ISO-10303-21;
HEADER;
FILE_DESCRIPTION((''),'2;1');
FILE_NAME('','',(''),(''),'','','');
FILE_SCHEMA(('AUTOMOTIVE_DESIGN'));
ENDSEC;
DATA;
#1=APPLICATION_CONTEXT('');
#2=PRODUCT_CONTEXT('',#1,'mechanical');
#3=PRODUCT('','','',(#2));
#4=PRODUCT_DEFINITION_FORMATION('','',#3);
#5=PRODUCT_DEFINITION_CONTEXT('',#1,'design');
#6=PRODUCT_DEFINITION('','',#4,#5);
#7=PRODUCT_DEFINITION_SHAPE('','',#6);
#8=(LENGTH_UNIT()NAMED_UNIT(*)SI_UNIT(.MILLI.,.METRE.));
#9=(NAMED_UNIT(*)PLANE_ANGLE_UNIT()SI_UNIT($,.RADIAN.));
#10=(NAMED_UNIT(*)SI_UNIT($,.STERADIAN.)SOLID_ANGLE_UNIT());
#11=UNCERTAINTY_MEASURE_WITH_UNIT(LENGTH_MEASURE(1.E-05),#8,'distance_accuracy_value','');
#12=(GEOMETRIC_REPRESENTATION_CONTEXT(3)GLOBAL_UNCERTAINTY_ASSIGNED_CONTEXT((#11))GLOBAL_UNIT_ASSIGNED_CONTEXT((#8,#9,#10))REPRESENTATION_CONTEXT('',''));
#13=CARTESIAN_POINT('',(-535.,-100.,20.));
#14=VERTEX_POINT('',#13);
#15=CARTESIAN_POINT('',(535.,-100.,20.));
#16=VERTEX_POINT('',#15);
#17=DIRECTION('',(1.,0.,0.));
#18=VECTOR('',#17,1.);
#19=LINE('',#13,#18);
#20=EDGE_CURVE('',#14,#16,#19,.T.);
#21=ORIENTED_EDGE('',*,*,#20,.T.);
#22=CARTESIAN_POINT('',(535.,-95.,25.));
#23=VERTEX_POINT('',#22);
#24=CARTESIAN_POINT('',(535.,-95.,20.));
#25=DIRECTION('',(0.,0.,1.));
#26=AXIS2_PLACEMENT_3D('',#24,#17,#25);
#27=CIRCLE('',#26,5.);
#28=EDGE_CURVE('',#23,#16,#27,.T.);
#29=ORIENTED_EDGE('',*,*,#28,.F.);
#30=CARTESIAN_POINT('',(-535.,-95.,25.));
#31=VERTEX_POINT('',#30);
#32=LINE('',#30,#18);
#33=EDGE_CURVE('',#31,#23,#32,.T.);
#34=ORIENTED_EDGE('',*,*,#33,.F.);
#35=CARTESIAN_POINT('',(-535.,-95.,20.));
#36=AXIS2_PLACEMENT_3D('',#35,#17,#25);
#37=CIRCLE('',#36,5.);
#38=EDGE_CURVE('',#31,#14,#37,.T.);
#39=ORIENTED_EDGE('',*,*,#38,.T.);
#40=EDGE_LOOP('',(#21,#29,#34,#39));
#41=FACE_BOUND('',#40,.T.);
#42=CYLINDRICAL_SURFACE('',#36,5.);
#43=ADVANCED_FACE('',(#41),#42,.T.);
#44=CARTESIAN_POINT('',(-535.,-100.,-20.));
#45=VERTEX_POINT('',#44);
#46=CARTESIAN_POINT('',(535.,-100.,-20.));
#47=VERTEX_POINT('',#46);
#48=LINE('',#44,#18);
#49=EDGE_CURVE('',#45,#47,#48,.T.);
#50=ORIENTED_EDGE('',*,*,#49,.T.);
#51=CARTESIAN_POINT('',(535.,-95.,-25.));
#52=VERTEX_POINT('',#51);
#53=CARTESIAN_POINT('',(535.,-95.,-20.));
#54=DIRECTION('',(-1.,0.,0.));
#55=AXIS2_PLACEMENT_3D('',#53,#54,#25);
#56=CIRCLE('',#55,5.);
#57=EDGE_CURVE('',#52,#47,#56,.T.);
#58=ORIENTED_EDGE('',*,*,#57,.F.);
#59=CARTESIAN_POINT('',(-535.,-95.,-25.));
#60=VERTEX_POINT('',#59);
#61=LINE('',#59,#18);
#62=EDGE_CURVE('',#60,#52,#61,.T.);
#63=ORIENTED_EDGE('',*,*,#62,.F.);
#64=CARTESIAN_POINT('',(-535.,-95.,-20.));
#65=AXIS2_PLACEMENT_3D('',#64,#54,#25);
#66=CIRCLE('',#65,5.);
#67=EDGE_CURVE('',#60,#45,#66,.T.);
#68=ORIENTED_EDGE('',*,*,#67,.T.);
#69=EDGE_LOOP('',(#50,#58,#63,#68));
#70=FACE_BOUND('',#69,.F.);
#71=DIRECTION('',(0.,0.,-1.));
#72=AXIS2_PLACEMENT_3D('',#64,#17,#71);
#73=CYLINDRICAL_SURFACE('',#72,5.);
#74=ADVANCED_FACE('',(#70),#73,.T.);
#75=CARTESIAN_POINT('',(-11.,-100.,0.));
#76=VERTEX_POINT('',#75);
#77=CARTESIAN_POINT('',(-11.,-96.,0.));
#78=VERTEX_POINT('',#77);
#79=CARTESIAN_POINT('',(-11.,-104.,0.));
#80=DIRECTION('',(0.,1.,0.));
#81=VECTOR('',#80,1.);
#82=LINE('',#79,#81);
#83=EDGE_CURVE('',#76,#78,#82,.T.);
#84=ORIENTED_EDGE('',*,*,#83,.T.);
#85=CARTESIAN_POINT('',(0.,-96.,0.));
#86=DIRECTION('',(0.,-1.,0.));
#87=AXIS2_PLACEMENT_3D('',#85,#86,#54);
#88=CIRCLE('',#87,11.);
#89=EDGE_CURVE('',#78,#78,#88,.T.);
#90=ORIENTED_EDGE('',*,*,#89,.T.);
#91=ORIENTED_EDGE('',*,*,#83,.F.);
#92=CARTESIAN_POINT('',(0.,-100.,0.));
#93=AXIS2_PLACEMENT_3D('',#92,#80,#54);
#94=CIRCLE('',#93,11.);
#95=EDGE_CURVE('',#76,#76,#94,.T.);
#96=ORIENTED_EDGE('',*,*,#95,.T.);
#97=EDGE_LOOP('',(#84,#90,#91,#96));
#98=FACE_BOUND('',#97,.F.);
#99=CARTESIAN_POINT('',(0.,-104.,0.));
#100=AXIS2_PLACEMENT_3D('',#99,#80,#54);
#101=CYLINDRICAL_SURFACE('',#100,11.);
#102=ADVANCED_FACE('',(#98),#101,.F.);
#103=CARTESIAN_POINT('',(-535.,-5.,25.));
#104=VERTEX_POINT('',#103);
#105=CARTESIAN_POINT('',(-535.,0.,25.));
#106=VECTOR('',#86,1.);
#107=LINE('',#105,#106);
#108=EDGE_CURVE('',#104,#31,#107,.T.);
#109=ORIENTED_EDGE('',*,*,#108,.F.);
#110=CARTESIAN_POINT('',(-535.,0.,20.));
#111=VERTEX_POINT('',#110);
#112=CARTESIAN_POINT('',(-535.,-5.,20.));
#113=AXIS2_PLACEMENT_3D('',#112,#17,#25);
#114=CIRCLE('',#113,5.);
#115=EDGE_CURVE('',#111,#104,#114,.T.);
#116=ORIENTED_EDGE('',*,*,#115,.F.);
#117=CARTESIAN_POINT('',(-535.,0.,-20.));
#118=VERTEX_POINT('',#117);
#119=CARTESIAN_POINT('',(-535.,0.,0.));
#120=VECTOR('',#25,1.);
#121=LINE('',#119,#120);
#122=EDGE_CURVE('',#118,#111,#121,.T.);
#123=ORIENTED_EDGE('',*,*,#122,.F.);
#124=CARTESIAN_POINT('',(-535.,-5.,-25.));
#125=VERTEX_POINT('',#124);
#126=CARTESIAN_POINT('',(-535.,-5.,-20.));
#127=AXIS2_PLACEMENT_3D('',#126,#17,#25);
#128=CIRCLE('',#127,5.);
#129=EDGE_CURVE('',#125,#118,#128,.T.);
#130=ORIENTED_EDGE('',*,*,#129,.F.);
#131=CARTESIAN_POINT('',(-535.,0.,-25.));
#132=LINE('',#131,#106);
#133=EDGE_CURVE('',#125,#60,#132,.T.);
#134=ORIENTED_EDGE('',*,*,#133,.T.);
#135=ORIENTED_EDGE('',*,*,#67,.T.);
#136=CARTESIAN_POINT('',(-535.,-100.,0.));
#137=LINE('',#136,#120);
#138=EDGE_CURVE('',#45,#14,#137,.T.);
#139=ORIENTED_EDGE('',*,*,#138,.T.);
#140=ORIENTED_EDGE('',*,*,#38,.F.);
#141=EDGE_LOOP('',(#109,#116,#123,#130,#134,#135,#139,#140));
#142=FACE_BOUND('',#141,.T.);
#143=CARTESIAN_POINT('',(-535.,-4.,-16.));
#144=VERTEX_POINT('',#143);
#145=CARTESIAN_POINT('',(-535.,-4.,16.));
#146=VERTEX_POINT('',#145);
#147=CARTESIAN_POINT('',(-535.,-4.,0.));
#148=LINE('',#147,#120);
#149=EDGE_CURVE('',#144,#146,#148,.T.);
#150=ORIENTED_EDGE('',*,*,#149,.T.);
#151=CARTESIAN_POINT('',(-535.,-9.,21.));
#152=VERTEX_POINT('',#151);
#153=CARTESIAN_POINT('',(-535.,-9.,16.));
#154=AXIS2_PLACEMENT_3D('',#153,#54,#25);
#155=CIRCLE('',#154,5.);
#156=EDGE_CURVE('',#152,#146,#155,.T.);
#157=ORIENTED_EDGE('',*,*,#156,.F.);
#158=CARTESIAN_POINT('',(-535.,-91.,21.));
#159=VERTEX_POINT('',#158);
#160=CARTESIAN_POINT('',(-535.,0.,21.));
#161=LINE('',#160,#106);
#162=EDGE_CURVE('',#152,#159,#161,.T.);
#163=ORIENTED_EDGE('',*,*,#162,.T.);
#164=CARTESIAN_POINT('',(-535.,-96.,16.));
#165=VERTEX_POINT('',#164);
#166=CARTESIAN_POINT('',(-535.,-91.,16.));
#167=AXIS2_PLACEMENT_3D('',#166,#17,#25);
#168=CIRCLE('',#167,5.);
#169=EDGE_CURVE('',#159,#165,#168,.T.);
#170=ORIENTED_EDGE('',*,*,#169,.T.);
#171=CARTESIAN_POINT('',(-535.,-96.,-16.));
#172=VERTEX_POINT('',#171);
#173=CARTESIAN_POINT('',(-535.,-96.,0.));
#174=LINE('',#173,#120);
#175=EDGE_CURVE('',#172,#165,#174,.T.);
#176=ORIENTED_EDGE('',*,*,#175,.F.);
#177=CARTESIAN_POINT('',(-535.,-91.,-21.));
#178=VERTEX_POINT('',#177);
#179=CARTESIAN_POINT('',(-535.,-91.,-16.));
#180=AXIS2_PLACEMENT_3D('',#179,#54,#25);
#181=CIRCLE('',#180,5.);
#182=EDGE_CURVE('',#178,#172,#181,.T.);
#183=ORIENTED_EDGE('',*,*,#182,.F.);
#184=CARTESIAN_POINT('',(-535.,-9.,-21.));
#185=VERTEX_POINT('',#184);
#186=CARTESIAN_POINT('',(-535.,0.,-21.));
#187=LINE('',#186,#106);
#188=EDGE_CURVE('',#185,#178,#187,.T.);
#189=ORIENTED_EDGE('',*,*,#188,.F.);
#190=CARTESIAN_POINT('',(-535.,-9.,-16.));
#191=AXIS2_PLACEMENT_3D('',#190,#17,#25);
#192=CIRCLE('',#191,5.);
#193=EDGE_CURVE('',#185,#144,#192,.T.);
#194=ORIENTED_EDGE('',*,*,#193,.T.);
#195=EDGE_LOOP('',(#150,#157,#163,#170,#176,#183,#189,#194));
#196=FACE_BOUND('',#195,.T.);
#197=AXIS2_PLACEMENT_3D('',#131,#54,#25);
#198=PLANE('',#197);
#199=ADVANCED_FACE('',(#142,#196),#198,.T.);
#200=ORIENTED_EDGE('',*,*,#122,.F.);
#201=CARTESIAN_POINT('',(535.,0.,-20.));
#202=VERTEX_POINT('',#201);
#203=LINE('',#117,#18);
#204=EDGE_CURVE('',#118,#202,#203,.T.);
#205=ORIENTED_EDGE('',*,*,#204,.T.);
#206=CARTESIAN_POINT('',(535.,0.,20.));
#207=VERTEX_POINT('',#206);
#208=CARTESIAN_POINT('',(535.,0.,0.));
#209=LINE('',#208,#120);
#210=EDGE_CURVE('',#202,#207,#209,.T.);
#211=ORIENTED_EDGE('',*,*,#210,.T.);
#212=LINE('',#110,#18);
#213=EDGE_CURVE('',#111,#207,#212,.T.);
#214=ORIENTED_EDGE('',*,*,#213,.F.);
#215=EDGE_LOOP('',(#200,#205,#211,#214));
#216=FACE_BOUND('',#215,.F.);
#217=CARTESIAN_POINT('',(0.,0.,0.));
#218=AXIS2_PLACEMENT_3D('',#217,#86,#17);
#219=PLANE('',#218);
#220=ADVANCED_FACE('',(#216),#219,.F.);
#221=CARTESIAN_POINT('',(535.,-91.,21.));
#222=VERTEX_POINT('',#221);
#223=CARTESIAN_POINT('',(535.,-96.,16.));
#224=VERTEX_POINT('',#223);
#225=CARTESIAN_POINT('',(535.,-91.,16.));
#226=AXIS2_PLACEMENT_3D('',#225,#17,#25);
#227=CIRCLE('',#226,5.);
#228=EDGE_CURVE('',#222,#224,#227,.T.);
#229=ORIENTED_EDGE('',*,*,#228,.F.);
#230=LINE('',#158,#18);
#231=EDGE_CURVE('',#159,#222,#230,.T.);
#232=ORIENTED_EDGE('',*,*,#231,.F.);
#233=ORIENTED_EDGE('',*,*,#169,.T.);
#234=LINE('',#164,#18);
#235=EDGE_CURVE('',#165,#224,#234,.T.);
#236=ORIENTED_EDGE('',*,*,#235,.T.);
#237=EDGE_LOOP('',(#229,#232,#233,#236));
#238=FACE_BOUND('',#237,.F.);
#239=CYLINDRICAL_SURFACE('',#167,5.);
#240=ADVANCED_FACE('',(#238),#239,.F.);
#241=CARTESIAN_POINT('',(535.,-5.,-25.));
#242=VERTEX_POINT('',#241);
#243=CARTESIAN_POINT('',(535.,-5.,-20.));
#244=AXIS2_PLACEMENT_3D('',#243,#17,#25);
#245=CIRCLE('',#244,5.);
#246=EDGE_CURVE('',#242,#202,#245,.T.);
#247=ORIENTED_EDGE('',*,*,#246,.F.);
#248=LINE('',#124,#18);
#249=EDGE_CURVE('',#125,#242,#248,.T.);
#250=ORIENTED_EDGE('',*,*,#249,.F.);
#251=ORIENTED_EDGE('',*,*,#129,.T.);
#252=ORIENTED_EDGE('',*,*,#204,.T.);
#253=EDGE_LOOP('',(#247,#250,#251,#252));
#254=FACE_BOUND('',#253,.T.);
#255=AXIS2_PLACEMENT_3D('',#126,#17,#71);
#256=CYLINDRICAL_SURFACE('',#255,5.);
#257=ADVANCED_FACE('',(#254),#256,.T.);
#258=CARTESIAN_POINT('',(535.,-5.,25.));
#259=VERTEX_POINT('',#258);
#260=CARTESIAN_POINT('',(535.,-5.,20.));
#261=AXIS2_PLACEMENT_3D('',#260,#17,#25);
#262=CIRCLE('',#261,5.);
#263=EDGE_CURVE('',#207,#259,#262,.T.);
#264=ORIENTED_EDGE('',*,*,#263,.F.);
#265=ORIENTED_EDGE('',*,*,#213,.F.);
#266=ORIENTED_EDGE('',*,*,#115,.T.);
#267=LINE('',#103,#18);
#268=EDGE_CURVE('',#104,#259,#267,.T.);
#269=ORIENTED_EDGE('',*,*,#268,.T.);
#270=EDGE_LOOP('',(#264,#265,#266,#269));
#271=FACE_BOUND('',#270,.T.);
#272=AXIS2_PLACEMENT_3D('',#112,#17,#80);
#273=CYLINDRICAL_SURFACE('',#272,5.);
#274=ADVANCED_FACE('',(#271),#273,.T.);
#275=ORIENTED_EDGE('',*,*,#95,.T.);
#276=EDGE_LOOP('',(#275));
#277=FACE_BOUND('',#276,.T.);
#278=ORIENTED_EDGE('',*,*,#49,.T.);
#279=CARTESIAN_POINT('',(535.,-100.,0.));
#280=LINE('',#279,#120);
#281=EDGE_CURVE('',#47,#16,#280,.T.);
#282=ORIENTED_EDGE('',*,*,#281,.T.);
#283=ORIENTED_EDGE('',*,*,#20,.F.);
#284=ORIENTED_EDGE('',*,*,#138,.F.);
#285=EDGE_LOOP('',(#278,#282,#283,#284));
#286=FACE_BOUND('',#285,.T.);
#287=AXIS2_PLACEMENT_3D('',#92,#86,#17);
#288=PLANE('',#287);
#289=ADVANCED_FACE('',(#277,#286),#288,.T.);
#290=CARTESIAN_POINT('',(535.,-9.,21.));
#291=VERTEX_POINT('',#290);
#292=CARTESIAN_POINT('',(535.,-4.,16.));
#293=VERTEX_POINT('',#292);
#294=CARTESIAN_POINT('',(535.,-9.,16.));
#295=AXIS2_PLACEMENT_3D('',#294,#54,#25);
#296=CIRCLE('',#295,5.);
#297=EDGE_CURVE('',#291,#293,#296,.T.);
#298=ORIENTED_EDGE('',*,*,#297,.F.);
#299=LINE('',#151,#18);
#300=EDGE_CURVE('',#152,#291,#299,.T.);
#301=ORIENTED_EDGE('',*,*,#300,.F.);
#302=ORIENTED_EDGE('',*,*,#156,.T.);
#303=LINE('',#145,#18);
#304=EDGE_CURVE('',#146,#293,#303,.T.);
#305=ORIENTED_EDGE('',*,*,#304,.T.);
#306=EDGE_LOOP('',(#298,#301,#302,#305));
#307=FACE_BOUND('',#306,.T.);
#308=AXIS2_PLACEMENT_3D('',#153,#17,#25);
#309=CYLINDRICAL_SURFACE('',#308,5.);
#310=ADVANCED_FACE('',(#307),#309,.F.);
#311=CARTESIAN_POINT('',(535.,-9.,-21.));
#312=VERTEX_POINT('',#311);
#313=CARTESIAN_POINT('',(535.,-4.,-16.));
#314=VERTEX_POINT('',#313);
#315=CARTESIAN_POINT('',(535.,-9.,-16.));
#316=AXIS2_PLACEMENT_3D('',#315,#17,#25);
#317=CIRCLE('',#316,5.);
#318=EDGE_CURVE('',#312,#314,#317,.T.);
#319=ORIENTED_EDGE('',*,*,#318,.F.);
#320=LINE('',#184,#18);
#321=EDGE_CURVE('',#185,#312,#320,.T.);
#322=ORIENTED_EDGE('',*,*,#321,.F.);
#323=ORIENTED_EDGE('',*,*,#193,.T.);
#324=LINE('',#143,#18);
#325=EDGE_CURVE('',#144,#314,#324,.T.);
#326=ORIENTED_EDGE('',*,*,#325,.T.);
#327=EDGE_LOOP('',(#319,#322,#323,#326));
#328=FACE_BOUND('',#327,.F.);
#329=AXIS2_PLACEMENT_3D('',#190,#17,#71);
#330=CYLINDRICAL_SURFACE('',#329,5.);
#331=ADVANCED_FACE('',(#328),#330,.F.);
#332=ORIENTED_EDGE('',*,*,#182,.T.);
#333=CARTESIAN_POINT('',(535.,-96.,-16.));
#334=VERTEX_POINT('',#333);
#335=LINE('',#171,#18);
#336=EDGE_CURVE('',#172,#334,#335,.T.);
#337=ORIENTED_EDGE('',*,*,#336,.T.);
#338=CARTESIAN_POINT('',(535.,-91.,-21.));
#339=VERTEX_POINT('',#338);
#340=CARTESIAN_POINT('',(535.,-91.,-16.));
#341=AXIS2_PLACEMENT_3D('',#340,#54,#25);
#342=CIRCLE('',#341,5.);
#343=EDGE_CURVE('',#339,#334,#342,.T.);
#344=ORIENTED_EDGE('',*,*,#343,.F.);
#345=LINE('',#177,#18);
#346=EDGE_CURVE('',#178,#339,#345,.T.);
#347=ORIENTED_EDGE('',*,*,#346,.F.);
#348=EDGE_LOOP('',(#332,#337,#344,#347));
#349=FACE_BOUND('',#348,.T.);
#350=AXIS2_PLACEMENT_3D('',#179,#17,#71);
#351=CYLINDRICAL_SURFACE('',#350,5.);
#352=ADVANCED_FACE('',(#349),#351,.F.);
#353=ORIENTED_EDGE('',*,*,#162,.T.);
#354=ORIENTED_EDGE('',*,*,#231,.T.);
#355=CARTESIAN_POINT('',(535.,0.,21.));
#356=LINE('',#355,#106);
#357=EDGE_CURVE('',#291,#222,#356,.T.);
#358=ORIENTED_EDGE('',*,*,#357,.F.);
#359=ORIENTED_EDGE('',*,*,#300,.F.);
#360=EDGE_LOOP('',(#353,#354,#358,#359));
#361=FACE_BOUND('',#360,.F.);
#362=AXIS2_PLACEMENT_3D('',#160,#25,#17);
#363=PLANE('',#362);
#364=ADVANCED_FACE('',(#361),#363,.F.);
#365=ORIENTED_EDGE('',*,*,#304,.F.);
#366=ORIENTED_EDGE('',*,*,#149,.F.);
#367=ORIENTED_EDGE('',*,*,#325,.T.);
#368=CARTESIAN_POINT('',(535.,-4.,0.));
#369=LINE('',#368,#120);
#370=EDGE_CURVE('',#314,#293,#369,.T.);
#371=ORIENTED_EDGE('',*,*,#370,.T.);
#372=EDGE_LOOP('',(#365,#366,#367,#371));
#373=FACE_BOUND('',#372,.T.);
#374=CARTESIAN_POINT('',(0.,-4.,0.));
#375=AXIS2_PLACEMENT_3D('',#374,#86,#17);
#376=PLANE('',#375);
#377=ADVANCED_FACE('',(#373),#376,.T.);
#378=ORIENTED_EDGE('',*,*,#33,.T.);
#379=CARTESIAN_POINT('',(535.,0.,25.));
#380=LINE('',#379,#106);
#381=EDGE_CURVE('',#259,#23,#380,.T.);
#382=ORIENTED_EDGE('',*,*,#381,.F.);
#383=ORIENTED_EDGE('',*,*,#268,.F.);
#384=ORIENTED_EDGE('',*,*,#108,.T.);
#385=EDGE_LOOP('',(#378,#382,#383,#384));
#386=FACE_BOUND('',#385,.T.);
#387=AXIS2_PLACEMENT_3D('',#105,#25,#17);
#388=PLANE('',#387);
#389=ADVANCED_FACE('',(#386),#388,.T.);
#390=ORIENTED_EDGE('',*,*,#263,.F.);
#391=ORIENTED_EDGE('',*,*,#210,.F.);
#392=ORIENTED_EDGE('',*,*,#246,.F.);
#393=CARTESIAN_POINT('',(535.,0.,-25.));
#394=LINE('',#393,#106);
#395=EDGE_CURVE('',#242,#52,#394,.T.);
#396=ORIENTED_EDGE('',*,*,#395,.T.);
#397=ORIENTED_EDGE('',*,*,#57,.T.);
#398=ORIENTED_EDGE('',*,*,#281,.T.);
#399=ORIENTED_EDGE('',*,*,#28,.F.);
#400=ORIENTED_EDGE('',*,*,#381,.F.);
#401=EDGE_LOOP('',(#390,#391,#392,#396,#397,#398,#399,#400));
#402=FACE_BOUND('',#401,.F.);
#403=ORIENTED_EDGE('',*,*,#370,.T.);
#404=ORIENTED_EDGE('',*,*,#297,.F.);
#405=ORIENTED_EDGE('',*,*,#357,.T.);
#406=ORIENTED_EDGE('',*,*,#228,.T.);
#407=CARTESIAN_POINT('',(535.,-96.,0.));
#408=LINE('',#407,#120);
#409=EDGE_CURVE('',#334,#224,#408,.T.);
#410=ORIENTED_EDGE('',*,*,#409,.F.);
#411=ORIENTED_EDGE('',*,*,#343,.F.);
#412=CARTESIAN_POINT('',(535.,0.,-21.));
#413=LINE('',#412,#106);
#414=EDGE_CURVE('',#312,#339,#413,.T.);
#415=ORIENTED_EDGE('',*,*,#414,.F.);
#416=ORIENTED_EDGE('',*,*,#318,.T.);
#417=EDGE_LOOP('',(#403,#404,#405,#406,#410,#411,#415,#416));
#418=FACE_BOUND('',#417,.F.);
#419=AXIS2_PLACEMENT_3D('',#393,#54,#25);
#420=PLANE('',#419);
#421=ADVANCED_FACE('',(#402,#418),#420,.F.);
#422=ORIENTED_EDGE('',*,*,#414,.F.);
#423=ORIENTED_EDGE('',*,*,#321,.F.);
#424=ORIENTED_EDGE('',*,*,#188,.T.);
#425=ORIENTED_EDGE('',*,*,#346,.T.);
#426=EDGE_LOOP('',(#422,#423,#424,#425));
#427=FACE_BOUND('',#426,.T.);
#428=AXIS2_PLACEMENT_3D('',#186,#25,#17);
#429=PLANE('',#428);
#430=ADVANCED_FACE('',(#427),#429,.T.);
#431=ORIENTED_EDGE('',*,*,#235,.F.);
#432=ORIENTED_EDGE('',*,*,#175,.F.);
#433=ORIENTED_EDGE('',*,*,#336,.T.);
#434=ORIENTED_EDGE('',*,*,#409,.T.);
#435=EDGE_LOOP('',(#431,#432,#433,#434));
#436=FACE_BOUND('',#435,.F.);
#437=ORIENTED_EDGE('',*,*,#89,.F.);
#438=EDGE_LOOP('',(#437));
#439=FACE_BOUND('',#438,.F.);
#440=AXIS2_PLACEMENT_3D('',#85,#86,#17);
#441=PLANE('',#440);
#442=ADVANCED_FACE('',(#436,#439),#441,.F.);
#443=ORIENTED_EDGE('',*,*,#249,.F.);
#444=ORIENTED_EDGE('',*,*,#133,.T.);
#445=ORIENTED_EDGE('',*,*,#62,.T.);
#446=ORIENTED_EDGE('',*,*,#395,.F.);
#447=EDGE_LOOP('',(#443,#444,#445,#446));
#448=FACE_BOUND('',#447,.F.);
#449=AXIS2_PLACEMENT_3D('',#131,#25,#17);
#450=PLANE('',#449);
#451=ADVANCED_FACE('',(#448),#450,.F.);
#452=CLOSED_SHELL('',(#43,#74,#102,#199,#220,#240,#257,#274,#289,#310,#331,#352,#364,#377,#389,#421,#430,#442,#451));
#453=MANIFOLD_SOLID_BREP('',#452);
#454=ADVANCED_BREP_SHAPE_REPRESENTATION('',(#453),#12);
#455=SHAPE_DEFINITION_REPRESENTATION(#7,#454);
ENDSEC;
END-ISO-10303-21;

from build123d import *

# Parameters (mm, degrees)
F0_W     = 1070
F0_H     = 50
F1_DEPTH = 100
F2_T     = -4
F3_R     = 5
F5_D     = 22
F5_DEPTH = 4
F5_TIP   = 6.6094668093


with BuildPart() as f1:
    # F0 (on Front) → F1 (new body)
    with BuildSketch(Plane.XZ):
        Rectangle(F0_W, F0_H)
    extrude(amount=F1_DEPTH)

    # F2
    f2_openings = [f1.faces().sort_by_distance(p)[0] for p in [
        (-535, -50, 0),
        (535, -50, 0),
    ]]
    offset(amount=F2_T, openings=f2_openings)

    # F3
    f3_edges = [f1.edges().sort_by_distance(p)[0] for p in [
        (0, -96, -21),
        (0, -96, 21),
        (0, -4, -21),
        (0, -4, 21),
        (0, 0, 25),
        (0, 0, -25),
        (0, -100, 25),
        (0, -100, -25),
    ]]
    fillet(f3_edges, radius=F3_R)

    # F5
    with Locations(Plane.XZ.offset(100)):
        with Locations((0, 0)):
            Hole(F5_D / 2, depth=F5_DEPTH)
            with Locations((0, 0, -(F5_DEPTH + F5_TIP / 2))):  # 118° drill point
                Cone(0, F5_D / 2, F5_TIP, mode=Mode.SUBTRACT)


solid = f1.part
